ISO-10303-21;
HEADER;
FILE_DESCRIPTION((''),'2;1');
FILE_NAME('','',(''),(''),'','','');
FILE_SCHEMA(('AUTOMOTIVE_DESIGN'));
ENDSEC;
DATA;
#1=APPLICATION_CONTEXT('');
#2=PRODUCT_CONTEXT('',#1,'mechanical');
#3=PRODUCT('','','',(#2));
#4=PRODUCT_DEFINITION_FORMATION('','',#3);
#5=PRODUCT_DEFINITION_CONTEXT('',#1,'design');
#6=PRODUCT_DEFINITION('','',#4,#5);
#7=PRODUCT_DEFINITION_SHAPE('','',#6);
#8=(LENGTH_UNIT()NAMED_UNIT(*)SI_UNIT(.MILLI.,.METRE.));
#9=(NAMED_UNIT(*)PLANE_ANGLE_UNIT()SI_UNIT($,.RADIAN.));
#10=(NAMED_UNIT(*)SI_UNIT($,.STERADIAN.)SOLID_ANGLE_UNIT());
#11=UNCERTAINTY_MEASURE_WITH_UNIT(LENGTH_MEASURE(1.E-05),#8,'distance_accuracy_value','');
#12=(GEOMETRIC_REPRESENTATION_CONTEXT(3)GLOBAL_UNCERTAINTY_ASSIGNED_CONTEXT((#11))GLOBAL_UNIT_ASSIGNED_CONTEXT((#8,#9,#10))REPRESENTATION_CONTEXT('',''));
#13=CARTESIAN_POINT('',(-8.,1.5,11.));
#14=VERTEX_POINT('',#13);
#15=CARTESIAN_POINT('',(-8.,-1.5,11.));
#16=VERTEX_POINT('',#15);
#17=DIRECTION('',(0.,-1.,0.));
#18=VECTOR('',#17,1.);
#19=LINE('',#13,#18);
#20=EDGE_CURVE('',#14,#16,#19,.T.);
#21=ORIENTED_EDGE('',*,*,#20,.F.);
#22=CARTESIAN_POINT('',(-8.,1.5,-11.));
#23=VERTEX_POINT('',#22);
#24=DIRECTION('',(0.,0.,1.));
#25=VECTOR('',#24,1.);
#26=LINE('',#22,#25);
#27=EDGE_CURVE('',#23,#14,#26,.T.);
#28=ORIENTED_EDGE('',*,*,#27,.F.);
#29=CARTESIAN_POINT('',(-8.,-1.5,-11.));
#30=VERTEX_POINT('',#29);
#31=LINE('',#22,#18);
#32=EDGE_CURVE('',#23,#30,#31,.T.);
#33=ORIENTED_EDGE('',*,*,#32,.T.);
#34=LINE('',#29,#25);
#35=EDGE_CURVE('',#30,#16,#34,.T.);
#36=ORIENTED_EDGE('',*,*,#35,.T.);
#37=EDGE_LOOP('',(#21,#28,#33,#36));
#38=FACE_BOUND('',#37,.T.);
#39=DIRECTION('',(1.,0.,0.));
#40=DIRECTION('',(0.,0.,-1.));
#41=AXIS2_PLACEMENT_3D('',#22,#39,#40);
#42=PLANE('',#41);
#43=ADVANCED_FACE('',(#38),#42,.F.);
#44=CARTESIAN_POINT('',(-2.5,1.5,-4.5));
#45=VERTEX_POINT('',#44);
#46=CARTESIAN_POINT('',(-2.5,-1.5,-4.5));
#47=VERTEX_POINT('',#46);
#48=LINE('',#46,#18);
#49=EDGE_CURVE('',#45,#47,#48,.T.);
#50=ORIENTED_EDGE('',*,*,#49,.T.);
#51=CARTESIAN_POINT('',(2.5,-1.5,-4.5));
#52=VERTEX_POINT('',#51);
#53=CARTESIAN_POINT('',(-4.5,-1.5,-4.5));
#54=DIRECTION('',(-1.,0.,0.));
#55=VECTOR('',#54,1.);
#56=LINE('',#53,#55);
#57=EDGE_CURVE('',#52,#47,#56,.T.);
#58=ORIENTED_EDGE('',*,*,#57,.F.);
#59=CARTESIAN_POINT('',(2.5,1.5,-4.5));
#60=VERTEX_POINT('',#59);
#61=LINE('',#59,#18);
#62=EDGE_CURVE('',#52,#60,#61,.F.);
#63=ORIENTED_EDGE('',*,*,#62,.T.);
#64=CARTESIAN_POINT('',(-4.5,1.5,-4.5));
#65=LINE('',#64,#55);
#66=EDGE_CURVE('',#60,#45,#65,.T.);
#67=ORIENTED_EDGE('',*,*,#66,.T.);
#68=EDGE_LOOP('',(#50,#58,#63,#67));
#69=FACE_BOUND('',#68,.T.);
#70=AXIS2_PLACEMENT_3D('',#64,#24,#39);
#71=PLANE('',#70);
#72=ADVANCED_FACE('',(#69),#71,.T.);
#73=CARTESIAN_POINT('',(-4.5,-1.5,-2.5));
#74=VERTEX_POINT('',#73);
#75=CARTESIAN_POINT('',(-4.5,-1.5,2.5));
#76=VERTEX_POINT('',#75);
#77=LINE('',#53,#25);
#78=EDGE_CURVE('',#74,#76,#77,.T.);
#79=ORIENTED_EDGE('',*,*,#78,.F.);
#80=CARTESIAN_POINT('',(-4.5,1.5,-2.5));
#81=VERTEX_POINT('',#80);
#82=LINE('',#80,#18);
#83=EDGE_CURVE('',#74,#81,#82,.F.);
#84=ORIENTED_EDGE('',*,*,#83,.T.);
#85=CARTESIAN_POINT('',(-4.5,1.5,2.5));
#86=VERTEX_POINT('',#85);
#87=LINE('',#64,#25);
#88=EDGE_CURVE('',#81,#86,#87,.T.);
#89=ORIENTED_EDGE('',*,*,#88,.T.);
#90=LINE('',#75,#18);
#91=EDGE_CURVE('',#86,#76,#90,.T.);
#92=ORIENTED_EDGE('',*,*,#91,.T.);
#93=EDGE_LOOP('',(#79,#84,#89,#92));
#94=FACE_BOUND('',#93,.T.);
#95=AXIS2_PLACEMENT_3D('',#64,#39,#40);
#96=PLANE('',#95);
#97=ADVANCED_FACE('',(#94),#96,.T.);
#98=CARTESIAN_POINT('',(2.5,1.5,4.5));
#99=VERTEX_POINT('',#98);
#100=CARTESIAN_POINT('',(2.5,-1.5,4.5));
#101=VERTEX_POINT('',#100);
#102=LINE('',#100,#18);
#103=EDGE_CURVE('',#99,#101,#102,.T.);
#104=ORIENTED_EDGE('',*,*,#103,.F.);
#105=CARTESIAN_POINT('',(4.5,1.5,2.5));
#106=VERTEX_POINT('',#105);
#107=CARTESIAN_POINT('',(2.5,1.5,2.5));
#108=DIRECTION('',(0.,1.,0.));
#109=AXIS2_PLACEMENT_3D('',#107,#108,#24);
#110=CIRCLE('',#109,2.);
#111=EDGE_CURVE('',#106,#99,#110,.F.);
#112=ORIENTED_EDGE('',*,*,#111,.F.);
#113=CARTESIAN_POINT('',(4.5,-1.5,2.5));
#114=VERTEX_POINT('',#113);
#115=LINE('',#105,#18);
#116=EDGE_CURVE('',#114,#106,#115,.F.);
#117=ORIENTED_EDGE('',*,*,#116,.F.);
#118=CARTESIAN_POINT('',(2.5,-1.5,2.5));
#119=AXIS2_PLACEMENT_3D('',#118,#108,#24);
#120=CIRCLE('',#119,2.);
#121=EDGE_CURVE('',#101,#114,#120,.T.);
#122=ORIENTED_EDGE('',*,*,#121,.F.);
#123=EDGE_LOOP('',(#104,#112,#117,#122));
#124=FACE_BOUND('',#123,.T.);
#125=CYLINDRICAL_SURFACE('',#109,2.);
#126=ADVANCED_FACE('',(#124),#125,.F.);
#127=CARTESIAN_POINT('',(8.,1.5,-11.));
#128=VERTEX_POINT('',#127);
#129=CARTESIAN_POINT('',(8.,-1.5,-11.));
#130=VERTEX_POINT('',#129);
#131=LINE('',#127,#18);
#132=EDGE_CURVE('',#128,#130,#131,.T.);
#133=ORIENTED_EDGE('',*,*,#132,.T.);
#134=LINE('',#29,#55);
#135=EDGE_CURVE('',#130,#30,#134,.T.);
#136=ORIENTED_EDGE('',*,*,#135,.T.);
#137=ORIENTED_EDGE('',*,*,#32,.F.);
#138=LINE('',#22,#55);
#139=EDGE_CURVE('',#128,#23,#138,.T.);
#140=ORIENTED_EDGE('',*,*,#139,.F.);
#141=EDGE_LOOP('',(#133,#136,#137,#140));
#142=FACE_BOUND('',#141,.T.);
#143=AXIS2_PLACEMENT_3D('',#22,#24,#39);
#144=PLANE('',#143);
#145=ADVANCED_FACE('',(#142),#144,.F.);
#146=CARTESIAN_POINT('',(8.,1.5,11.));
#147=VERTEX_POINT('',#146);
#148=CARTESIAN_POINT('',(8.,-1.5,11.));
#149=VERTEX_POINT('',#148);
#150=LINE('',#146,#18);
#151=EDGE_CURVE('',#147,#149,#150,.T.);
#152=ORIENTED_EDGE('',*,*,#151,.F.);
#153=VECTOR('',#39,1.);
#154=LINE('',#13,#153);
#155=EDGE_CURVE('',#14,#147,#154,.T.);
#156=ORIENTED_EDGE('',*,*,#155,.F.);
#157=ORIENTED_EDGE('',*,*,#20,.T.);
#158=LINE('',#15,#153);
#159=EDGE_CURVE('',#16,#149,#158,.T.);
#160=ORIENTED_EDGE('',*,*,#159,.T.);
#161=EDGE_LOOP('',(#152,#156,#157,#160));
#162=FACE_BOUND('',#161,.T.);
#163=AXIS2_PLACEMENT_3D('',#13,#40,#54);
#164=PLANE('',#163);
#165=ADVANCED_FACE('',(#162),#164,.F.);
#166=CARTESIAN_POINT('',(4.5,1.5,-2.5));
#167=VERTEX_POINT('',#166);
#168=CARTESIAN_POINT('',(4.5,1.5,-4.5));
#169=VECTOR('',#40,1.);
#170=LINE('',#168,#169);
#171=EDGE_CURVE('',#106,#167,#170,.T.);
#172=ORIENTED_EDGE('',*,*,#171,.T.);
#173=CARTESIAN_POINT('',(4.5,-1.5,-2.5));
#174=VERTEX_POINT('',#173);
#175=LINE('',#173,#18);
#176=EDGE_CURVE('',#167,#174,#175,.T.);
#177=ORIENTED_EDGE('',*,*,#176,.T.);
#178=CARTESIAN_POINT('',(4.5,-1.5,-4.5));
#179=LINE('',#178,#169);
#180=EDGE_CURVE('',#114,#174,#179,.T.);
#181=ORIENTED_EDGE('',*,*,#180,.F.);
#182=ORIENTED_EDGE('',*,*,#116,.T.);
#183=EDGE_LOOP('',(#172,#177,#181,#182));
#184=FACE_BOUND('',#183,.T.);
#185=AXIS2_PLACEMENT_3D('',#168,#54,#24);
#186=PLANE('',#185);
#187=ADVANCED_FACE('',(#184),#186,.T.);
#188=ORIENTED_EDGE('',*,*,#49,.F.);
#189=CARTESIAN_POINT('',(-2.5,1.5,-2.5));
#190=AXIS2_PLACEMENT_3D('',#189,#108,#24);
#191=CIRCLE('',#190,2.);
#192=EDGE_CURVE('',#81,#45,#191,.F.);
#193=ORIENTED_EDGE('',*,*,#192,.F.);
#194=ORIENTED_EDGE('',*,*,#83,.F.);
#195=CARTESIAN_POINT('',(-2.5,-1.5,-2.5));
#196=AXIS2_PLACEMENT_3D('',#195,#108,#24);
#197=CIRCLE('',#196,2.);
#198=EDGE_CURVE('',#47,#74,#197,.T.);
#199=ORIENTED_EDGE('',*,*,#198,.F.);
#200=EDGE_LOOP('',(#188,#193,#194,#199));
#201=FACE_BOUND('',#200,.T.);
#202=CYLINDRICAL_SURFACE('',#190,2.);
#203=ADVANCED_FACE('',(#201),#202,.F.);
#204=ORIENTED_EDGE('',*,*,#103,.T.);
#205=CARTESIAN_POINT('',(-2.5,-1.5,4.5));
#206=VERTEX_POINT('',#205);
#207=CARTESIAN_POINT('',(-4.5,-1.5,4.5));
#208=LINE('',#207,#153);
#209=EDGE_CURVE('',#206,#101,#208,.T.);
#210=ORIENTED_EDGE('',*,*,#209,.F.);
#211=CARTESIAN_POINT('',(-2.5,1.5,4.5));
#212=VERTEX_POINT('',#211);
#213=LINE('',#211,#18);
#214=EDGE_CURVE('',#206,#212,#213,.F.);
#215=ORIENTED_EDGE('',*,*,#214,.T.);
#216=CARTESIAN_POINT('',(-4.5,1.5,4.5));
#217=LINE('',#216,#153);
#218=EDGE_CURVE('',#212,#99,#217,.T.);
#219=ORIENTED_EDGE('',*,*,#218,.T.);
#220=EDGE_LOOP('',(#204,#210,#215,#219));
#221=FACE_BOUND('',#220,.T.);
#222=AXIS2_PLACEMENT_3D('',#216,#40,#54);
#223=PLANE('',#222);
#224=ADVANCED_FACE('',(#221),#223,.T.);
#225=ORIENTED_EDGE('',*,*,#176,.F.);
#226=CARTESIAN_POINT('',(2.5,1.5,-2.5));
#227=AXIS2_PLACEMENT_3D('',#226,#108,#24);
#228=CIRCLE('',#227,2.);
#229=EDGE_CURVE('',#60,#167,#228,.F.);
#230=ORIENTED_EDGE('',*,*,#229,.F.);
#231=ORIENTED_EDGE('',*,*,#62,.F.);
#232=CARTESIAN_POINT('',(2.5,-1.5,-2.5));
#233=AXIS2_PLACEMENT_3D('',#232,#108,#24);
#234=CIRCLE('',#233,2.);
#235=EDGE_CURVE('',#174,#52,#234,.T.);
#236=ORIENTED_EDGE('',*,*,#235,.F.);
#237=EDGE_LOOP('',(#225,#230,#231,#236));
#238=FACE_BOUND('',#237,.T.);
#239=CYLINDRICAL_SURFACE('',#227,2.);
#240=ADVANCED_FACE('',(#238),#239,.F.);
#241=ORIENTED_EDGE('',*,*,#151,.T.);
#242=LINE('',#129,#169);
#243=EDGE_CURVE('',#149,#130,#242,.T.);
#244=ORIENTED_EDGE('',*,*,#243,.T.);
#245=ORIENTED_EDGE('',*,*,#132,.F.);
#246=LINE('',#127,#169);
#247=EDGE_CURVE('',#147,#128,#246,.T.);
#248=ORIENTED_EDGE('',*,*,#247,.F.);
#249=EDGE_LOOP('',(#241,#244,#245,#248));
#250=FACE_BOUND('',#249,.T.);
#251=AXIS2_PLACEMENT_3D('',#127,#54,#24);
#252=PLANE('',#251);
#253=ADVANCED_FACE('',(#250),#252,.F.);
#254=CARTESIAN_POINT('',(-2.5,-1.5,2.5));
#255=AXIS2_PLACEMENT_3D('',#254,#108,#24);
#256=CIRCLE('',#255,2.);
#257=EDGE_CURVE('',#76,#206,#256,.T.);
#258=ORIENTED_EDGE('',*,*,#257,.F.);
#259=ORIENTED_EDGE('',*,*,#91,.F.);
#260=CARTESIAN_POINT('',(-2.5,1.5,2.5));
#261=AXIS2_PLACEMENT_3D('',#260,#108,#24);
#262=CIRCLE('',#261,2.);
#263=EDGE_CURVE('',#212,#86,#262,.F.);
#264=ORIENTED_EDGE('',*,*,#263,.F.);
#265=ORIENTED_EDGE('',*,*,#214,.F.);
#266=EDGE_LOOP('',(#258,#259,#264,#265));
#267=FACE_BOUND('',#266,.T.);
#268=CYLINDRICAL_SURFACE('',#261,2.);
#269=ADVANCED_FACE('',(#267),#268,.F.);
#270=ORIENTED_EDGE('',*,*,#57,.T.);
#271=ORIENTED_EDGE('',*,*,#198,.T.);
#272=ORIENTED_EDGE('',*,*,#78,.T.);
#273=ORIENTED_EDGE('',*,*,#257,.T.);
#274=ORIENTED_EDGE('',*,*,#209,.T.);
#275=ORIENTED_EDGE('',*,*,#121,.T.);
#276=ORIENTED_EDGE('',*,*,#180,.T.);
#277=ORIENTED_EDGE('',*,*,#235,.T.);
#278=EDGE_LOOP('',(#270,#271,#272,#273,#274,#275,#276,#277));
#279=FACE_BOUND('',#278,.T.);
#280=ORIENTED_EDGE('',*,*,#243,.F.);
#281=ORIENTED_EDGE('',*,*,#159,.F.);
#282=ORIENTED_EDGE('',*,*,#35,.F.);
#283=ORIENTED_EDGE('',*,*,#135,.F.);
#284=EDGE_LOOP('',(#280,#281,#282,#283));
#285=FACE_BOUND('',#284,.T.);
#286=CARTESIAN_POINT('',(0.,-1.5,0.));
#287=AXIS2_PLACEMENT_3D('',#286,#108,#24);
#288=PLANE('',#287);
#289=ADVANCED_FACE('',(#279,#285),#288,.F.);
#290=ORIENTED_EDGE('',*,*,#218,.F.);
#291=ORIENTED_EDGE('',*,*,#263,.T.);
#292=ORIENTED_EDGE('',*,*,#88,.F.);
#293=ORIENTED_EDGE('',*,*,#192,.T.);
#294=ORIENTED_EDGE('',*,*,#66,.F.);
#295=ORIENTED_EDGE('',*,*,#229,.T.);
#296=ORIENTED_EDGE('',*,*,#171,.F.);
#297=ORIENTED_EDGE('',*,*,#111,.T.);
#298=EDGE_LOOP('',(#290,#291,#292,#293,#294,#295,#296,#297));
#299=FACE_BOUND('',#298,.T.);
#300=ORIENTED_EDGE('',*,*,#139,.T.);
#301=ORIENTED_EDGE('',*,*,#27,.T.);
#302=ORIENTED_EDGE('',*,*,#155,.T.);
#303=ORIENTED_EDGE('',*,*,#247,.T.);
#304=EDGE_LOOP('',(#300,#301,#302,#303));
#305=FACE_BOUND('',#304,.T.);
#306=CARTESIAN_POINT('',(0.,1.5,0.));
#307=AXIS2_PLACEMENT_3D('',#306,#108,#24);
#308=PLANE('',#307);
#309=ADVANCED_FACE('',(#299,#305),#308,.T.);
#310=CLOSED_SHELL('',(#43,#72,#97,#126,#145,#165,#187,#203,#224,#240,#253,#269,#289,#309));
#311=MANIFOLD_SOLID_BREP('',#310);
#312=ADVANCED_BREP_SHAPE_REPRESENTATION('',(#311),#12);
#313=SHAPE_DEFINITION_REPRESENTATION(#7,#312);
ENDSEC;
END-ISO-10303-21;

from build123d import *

# Parameters (mm, degrees)
SKETCH1_W           = 16
SKETCH1_H           = 22
SKETCH1_W_2         = 9
SKETCH1_H_2         = 9
BOSS_EXTRUDE1_DEPTH = 1.5
FILLET1_R           = 2


with BuildPart() as part:
    # Sketch1 → Boss-Extrude1 (new body, symmetric)
    with BuildSketch(Plane(origin=(0, 0, 0), x_dir=(1, 0, 0), z_dir=(0, 1, 0))):
        Rectangle(SKETCH1_W, SKETCH1_H)
        Rectangle(SKETCH1_W_2, SKETCH1_H_2, mode=Mode.SUBTRACT)
    extrude(amount=BOSS_EXTRUDE1_DEPTH, both=True)

    # Fillet1
    fillet1_edges = [part.edges().sort_by_distance(p)[0] for p in [
        (-4.5, 0, -4.5),
        (-4.5, 0, 4.5),
        (4.5, 0, 4.5),
        (4.5, 0, -4.5),
    ]]
    fillet(fillet1_edges, radius=FILLET1_R)


solid = part.part
